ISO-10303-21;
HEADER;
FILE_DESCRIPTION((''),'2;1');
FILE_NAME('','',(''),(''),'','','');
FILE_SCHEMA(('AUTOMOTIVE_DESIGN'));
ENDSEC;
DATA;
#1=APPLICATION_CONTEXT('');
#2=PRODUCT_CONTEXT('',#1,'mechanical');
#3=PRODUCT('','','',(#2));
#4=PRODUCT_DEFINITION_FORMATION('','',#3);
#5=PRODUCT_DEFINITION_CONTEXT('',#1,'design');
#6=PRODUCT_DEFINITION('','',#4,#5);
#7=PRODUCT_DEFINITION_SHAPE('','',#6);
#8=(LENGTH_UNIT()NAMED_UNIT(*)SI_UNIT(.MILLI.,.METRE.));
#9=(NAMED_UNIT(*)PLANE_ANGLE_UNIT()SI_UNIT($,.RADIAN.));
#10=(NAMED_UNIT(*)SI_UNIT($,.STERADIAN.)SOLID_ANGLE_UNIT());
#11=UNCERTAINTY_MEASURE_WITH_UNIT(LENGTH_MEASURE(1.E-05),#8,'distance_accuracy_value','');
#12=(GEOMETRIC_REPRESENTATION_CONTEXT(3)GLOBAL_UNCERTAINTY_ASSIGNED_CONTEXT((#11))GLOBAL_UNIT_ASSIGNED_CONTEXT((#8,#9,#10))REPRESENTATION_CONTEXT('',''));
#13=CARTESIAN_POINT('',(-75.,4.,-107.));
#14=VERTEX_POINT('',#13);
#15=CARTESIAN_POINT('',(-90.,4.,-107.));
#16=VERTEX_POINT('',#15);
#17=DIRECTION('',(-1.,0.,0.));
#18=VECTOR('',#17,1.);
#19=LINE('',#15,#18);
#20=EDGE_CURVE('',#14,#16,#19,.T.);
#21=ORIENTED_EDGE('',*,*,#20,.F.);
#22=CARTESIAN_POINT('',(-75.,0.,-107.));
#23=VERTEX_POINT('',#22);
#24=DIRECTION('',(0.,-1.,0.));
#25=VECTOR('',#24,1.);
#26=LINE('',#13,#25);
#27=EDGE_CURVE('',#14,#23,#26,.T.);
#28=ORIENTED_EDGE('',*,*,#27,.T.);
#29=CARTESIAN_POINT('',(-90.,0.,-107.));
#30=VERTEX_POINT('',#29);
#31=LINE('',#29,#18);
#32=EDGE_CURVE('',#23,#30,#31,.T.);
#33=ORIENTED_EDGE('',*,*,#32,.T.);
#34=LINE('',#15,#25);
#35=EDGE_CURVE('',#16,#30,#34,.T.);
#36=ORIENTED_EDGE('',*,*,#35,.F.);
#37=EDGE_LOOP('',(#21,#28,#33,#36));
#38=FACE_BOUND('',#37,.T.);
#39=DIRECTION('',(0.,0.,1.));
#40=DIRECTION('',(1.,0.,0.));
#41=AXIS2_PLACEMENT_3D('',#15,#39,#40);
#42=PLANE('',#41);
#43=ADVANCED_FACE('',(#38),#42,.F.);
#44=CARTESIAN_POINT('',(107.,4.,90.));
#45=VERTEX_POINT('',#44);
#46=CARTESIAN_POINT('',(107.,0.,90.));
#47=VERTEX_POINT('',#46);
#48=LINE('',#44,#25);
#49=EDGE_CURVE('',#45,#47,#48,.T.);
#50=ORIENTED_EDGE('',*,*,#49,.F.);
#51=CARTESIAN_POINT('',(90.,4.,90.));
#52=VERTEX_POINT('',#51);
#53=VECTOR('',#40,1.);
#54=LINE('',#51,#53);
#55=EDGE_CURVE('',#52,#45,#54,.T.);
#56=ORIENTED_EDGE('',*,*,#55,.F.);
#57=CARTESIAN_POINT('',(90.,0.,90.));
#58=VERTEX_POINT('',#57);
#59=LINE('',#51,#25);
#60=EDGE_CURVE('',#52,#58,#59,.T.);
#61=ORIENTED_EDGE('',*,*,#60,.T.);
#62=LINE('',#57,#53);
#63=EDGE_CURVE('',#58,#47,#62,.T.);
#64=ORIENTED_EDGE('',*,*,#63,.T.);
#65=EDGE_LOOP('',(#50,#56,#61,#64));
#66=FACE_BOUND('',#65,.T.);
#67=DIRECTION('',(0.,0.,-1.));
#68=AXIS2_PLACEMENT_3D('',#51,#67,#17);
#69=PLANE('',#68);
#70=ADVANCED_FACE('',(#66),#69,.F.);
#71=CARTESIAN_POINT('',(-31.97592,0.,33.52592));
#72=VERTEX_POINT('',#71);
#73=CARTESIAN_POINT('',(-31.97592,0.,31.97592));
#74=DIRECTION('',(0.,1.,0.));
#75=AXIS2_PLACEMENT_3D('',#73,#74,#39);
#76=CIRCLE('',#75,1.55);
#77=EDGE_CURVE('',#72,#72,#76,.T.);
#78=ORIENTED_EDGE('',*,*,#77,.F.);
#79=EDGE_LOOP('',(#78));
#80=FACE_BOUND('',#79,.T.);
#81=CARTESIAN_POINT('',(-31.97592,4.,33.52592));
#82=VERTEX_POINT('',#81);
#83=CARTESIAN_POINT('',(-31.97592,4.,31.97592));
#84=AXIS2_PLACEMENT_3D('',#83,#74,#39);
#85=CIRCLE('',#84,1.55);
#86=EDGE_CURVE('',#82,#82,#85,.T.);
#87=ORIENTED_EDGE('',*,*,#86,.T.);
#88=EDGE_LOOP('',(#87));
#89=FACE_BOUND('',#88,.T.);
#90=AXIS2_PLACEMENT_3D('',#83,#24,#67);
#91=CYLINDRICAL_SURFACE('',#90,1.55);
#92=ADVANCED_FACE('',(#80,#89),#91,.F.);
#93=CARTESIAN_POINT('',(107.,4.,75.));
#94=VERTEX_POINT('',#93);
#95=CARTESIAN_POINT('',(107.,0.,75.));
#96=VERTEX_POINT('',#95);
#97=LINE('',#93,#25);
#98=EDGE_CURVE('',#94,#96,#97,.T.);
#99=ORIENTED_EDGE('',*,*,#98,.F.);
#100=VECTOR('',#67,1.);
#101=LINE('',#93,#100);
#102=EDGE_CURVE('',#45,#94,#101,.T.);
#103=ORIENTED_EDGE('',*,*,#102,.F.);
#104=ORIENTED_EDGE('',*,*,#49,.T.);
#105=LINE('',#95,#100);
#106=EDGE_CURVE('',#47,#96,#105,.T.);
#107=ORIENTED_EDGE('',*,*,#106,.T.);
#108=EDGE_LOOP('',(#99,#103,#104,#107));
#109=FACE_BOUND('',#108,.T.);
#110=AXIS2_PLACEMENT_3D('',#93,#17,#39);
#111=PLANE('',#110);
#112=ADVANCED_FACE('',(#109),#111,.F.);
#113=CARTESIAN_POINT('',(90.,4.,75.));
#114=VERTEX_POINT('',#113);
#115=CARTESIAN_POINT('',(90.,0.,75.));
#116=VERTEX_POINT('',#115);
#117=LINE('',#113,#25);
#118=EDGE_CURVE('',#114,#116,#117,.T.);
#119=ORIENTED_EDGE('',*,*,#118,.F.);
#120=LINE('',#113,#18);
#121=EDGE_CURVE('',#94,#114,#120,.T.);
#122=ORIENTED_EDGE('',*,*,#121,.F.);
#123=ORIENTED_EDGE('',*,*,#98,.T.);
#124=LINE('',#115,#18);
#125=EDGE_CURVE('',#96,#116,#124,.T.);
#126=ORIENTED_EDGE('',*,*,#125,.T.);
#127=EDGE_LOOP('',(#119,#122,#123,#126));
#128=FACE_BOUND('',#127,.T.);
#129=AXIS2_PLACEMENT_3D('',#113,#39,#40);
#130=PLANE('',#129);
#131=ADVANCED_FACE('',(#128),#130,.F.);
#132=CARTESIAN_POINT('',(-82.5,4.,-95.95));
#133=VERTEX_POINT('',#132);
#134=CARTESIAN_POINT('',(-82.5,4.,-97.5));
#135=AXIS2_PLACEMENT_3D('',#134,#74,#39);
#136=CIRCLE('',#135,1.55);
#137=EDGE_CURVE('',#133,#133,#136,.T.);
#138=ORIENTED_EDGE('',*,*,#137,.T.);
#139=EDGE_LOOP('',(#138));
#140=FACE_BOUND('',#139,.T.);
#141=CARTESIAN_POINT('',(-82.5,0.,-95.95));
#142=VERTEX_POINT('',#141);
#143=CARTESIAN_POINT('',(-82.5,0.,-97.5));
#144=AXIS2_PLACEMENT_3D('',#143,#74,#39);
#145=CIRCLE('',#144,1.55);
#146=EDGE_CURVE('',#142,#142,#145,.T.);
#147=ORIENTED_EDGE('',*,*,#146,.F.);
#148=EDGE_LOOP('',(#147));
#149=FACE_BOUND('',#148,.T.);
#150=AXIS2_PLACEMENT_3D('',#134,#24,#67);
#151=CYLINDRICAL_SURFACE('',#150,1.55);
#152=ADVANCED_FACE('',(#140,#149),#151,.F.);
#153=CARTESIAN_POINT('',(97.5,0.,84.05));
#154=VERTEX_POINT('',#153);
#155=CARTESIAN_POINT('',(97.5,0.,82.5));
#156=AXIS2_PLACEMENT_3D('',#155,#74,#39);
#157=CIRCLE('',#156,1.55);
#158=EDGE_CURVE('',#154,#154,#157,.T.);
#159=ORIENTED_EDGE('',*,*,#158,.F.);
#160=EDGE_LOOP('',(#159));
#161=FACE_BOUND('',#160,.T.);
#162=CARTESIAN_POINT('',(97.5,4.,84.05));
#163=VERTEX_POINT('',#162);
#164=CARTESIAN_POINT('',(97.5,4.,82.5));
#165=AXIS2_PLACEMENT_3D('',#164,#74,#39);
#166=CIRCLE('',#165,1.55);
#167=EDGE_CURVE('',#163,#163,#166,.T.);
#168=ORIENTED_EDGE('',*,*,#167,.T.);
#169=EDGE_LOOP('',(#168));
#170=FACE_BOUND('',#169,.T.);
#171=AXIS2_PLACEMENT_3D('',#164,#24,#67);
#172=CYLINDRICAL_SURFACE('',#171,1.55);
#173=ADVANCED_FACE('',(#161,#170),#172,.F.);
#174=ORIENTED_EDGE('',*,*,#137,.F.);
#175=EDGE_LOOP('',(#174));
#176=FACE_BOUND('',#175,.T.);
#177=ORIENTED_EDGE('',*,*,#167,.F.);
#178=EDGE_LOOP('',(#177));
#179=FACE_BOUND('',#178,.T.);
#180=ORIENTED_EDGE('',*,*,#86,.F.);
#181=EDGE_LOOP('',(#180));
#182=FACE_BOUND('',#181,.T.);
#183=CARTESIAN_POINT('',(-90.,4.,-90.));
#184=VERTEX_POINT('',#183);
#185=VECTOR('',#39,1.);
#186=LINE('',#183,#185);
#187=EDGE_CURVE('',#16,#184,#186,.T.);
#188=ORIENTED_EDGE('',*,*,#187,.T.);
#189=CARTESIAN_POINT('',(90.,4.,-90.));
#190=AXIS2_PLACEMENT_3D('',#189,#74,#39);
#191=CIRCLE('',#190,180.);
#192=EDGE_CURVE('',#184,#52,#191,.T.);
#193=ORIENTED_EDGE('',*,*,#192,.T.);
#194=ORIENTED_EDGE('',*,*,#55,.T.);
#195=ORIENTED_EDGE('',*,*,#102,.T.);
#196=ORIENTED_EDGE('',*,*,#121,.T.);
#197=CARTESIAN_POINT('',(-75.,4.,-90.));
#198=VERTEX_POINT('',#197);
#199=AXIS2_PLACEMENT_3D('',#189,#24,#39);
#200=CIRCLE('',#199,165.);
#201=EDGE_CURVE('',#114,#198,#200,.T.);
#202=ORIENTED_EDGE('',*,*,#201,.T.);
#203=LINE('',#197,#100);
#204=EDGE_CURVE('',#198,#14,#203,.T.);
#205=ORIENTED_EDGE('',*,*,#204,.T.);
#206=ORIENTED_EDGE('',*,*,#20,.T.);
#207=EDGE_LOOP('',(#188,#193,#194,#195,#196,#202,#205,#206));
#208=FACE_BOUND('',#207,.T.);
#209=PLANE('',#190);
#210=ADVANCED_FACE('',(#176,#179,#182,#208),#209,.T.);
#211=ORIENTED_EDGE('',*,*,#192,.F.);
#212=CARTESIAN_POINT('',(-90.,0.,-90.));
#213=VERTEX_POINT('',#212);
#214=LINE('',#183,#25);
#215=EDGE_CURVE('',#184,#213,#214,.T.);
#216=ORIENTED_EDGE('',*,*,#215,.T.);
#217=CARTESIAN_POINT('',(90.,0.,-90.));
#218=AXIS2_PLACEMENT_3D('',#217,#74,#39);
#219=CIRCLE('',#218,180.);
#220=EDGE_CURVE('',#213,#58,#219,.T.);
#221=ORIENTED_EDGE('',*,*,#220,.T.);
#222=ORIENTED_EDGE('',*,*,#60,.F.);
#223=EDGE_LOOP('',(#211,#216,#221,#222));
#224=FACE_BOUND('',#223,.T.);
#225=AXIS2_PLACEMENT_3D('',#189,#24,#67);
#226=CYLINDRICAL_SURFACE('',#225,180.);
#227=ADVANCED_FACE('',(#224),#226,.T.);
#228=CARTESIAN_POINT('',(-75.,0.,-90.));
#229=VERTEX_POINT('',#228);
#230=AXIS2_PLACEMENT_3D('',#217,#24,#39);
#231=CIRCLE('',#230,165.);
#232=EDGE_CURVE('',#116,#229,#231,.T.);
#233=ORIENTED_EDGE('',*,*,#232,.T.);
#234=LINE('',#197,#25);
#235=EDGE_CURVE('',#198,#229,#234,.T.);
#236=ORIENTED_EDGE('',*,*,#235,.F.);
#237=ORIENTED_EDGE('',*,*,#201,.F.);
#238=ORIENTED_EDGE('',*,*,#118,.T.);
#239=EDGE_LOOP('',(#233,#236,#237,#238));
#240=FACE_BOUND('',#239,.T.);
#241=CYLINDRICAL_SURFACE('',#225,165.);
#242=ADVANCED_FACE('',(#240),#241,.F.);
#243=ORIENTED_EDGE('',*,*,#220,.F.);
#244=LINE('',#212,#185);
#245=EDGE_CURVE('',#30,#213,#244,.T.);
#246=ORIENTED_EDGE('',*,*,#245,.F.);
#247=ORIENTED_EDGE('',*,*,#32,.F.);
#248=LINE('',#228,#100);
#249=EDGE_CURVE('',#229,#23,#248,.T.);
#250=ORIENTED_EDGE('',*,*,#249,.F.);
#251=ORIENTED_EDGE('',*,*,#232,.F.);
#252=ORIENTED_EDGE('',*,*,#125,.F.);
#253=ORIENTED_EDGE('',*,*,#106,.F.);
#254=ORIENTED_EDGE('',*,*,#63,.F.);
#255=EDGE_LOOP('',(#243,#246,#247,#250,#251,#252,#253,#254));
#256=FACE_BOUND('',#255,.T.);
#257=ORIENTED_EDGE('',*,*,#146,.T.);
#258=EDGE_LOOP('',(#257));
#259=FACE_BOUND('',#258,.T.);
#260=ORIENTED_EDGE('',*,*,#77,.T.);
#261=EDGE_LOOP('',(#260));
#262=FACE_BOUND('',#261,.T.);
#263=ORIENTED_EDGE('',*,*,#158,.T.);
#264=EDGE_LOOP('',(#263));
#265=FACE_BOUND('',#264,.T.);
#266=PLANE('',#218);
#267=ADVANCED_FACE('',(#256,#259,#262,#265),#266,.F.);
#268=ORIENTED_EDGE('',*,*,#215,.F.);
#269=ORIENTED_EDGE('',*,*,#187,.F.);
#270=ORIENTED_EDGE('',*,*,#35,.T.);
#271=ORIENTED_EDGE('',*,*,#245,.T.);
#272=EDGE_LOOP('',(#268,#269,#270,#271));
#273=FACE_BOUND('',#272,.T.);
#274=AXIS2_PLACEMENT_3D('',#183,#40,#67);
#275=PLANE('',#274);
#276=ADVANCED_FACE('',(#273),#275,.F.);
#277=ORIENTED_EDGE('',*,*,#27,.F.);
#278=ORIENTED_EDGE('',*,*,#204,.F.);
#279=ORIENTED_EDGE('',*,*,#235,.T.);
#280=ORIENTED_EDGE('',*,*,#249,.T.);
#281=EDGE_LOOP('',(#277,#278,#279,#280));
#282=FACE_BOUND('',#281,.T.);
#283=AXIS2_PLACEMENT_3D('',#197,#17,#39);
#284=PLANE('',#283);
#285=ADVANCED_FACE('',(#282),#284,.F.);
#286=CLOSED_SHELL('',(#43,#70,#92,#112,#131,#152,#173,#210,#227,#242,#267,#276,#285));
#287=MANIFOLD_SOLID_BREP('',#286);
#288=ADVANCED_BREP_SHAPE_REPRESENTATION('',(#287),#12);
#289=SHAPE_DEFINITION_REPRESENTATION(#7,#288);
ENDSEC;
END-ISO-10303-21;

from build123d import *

# Parameters (mm, degrees)
SKETCH1_R           = 1.55
BOSS_EXTRUDE1_DEPTH = 4


with BuildPart() as part:
    # Sketch1 → Boss-Extrude1 (new body)
    with BuildSketch(Plane(origin=(0, 0, 0), x_dir=(1, 0, 0), z_dir=(0, 1, 0))):
        with BuildLine():
            Line((-90, 90), (-90, 107))
            Line((-90, 107), (-75, 107))
            Line((-75, 107), (-75, 90))
            ThreePointArc((-75, 90), (-26.672618896, -26.672618896), (90, -75))
            Line((90, -75), (107, -75))
            Line((107, -75), (107, -90))
            Line((107, -90), (90, -90))
            ThreePointArc((90, -90), (-37.279220614, -37.279220614), (-90, 90))
        make_face()
        with Locations(Location((-82.5, 97.5, 0), (0, 0, 270))):
            Circle(SKETCH1_R, mode=Mode.SUBTRACT)
        with Locations(Location((97.5, -82.5, 0), (0, 0, 270))):
            Circle(SKETCH1_R, mode=Mode.SUBTRACT)
        with Locations(Location((-31.975919755, -31.975919755, 0), (0, 0, 270))):
            Circle(SKETCH1_R, mode=Mode.SUBTRACT)
    extrude(amount=BOSS_EXTRUDE1_DEPTH)


solid = part.part
